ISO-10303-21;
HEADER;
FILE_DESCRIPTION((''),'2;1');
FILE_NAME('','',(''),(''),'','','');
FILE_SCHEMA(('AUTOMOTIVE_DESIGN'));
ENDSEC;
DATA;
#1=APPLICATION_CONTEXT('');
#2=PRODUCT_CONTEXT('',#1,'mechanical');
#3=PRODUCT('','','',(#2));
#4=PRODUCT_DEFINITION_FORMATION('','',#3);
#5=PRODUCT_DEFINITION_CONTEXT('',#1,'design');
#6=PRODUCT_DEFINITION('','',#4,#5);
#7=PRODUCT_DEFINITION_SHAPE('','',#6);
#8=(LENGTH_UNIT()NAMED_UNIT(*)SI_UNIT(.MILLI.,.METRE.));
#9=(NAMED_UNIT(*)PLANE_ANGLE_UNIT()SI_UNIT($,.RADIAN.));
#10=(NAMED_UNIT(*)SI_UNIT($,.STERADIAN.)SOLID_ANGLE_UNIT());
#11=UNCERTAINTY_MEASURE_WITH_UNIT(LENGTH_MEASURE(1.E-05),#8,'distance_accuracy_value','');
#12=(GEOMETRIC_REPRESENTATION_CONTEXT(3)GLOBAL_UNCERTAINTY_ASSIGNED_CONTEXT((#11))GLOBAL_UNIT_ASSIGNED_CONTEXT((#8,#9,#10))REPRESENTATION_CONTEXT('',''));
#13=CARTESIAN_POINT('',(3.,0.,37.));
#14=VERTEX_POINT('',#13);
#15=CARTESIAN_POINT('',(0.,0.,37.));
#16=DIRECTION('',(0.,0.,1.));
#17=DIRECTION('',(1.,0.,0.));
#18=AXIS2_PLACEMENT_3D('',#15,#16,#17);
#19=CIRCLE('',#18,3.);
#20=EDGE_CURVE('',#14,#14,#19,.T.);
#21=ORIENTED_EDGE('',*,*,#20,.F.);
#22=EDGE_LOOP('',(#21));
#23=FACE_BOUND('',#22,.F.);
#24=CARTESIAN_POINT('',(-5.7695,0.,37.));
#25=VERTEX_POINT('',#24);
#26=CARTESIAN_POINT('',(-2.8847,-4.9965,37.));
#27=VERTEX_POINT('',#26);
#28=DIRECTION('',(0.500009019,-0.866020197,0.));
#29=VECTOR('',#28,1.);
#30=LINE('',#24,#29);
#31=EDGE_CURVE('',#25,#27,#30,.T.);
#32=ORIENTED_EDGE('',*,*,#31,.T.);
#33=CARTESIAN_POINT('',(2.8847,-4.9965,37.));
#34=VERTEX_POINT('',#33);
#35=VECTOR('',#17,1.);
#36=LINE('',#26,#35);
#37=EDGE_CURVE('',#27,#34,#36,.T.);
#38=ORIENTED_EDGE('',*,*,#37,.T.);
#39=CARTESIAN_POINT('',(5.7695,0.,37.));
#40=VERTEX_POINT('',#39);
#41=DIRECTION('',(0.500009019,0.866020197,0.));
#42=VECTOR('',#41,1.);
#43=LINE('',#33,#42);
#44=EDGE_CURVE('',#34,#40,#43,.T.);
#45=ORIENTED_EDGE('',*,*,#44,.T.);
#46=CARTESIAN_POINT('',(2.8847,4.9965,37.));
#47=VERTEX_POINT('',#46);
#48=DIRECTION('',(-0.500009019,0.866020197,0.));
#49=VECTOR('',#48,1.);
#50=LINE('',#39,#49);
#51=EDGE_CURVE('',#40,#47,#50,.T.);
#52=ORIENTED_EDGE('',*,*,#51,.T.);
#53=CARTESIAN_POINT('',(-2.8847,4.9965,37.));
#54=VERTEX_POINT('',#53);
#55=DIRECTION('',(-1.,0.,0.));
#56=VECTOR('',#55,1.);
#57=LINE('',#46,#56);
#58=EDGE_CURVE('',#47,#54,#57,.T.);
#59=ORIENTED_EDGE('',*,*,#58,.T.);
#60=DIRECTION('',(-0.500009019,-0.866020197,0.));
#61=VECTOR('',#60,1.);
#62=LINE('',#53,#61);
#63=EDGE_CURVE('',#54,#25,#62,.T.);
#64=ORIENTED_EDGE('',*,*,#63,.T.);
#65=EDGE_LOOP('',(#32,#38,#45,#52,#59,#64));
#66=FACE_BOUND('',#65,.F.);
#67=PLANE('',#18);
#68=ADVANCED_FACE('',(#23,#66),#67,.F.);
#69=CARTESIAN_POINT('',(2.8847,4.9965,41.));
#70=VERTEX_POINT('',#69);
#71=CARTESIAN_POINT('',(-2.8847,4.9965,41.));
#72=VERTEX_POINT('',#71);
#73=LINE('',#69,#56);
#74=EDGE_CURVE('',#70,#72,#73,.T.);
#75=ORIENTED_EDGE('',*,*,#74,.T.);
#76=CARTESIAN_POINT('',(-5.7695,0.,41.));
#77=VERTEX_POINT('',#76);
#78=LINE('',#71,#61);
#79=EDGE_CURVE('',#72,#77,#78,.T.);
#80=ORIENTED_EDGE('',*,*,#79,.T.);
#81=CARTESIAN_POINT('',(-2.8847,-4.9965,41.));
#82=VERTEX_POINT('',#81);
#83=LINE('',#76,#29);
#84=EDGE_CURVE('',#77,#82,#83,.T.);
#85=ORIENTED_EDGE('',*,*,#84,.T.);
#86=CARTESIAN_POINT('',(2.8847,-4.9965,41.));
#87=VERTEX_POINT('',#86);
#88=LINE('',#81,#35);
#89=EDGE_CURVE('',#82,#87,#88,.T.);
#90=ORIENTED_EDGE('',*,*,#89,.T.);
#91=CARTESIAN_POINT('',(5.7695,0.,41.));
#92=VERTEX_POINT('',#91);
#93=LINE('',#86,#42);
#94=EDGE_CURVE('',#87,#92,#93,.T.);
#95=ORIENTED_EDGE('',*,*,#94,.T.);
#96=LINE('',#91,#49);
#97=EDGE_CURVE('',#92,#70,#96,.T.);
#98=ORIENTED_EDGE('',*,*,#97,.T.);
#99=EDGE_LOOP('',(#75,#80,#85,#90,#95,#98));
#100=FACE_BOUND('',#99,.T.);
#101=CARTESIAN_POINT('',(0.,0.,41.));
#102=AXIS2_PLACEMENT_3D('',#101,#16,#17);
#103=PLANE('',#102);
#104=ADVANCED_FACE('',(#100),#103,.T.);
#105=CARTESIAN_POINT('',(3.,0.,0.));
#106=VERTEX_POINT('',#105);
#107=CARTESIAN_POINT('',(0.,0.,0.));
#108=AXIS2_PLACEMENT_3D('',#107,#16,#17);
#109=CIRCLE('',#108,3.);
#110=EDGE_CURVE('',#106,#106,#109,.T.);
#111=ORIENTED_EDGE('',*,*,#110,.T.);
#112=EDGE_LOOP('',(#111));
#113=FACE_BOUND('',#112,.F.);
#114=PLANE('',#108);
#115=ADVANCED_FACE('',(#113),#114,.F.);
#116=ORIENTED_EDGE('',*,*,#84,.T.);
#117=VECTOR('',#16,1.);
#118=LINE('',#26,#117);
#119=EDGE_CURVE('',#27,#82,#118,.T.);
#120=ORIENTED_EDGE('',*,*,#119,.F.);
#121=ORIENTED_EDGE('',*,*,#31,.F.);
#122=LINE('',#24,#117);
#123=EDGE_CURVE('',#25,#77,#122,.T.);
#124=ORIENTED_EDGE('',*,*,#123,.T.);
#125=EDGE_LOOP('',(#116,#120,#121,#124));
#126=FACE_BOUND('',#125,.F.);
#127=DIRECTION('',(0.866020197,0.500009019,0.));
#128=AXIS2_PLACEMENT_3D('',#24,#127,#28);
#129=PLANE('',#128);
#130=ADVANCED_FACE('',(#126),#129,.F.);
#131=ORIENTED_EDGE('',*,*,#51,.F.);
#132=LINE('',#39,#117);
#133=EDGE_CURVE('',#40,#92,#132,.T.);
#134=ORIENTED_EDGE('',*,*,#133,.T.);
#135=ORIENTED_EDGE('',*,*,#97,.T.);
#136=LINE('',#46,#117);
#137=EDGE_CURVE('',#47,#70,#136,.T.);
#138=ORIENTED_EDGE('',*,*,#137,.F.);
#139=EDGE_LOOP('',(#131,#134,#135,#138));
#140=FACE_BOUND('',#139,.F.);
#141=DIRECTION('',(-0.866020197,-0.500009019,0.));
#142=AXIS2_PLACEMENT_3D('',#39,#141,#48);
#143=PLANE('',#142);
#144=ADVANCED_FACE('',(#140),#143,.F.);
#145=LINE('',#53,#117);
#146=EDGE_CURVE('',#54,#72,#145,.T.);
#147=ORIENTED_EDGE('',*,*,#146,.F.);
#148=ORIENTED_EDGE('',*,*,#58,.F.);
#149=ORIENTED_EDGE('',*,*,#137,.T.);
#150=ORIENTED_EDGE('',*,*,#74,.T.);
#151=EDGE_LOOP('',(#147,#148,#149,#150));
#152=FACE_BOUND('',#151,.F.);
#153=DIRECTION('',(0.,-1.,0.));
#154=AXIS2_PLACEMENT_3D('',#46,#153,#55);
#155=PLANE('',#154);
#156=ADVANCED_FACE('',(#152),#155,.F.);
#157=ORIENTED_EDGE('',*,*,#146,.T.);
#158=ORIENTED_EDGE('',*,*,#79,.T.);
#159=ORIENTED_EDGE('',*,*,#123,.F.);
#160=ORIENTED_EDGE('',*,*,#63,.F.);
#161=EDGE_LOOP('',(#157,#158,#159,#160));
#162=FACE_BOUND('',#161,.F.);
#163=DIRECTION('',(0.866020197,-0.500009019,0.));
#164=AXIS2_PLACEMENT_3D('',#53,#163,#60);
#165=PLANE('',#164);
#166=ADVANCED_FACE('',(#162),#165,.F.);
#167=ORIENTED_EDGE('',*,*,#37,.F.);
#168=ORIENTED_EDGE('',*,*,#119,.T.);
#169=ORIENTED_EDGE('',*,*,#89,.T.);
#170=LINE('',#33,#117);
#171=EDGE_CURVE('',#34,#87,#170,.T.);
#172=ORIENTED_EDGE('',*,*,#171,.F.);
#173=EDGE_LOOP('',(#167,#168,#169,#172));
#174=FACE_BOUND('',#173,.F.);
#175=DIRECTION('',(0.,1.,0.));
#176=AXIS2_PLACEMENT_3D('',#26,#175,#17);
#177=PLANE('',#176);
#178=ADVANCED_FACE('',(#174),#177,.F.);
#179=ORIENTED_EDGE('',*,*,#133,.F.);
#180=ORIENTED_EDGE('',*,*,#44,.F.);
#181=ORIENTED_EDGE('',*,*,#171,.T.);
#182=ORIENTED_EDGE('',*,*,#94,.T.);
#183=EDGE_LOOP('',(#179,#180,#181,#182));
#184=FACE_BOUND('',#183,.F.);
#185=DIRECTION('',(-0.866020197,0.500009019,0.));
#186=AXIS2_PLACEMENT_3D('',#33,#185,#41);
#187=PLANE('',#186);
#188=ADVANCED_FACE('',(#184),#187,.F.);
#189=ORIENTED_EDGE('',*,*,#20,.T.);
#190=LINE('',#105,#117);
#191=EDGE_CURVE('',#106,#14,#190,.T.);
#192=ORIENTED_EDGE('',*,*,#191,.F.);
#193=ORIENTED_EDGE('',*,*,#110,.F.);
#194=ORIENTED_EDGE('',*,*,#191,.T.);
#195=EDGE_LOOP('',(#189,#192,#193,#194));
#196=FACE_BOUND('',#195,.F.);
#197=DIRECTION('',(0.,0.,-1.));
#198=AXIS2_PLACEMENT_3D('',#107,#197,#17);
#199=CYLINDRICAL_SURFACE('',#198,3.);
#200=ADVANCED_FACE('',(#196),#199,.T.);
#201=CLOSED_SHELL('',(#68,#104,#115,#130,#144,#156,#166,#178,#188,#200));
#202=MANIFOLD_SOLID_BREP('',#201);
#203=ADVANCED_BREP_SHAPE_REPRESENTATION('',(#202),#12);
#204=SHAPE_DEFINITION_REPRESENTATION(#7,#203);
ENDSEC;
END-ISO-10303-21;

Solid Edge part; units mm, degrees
sketch "Sketch1" plane through (0, 0, 0) normal (0, 0, 1) x (1, 0, 0)
  circle A0 centre (0, 0) radius 3
extrude "Protrusion1" add sketch "Sketch1" along normal blind 37
sketch "Sketch2" plane through (0, 0, 37) normal (0, 0, 1) x (1, 0, 0)
  line L0 (-2.8847, 4.9965) -> (-5.7695, 0)
  line L1 (-5.7695, 0) -> (-2.8847, -4.9965)
  line L2 (-2.8847, -4.9965) -> (2.8847, -4.9965)
  line L3 (2.8847, -4.9965) -> (5.7695, 0)
  line L4 (5.7695, 0) -> (2.8847, 4.9965)
  line L5 (2.8847, 4.9965) -> (-2.8847, 4.9965)
extrude "ExtrudedProtrusion_2" add sketch "Sketch2" along normal blind 4
cosmetic_thread "Thread_1" size "M6" thread depth 10
properties material "Steel"
